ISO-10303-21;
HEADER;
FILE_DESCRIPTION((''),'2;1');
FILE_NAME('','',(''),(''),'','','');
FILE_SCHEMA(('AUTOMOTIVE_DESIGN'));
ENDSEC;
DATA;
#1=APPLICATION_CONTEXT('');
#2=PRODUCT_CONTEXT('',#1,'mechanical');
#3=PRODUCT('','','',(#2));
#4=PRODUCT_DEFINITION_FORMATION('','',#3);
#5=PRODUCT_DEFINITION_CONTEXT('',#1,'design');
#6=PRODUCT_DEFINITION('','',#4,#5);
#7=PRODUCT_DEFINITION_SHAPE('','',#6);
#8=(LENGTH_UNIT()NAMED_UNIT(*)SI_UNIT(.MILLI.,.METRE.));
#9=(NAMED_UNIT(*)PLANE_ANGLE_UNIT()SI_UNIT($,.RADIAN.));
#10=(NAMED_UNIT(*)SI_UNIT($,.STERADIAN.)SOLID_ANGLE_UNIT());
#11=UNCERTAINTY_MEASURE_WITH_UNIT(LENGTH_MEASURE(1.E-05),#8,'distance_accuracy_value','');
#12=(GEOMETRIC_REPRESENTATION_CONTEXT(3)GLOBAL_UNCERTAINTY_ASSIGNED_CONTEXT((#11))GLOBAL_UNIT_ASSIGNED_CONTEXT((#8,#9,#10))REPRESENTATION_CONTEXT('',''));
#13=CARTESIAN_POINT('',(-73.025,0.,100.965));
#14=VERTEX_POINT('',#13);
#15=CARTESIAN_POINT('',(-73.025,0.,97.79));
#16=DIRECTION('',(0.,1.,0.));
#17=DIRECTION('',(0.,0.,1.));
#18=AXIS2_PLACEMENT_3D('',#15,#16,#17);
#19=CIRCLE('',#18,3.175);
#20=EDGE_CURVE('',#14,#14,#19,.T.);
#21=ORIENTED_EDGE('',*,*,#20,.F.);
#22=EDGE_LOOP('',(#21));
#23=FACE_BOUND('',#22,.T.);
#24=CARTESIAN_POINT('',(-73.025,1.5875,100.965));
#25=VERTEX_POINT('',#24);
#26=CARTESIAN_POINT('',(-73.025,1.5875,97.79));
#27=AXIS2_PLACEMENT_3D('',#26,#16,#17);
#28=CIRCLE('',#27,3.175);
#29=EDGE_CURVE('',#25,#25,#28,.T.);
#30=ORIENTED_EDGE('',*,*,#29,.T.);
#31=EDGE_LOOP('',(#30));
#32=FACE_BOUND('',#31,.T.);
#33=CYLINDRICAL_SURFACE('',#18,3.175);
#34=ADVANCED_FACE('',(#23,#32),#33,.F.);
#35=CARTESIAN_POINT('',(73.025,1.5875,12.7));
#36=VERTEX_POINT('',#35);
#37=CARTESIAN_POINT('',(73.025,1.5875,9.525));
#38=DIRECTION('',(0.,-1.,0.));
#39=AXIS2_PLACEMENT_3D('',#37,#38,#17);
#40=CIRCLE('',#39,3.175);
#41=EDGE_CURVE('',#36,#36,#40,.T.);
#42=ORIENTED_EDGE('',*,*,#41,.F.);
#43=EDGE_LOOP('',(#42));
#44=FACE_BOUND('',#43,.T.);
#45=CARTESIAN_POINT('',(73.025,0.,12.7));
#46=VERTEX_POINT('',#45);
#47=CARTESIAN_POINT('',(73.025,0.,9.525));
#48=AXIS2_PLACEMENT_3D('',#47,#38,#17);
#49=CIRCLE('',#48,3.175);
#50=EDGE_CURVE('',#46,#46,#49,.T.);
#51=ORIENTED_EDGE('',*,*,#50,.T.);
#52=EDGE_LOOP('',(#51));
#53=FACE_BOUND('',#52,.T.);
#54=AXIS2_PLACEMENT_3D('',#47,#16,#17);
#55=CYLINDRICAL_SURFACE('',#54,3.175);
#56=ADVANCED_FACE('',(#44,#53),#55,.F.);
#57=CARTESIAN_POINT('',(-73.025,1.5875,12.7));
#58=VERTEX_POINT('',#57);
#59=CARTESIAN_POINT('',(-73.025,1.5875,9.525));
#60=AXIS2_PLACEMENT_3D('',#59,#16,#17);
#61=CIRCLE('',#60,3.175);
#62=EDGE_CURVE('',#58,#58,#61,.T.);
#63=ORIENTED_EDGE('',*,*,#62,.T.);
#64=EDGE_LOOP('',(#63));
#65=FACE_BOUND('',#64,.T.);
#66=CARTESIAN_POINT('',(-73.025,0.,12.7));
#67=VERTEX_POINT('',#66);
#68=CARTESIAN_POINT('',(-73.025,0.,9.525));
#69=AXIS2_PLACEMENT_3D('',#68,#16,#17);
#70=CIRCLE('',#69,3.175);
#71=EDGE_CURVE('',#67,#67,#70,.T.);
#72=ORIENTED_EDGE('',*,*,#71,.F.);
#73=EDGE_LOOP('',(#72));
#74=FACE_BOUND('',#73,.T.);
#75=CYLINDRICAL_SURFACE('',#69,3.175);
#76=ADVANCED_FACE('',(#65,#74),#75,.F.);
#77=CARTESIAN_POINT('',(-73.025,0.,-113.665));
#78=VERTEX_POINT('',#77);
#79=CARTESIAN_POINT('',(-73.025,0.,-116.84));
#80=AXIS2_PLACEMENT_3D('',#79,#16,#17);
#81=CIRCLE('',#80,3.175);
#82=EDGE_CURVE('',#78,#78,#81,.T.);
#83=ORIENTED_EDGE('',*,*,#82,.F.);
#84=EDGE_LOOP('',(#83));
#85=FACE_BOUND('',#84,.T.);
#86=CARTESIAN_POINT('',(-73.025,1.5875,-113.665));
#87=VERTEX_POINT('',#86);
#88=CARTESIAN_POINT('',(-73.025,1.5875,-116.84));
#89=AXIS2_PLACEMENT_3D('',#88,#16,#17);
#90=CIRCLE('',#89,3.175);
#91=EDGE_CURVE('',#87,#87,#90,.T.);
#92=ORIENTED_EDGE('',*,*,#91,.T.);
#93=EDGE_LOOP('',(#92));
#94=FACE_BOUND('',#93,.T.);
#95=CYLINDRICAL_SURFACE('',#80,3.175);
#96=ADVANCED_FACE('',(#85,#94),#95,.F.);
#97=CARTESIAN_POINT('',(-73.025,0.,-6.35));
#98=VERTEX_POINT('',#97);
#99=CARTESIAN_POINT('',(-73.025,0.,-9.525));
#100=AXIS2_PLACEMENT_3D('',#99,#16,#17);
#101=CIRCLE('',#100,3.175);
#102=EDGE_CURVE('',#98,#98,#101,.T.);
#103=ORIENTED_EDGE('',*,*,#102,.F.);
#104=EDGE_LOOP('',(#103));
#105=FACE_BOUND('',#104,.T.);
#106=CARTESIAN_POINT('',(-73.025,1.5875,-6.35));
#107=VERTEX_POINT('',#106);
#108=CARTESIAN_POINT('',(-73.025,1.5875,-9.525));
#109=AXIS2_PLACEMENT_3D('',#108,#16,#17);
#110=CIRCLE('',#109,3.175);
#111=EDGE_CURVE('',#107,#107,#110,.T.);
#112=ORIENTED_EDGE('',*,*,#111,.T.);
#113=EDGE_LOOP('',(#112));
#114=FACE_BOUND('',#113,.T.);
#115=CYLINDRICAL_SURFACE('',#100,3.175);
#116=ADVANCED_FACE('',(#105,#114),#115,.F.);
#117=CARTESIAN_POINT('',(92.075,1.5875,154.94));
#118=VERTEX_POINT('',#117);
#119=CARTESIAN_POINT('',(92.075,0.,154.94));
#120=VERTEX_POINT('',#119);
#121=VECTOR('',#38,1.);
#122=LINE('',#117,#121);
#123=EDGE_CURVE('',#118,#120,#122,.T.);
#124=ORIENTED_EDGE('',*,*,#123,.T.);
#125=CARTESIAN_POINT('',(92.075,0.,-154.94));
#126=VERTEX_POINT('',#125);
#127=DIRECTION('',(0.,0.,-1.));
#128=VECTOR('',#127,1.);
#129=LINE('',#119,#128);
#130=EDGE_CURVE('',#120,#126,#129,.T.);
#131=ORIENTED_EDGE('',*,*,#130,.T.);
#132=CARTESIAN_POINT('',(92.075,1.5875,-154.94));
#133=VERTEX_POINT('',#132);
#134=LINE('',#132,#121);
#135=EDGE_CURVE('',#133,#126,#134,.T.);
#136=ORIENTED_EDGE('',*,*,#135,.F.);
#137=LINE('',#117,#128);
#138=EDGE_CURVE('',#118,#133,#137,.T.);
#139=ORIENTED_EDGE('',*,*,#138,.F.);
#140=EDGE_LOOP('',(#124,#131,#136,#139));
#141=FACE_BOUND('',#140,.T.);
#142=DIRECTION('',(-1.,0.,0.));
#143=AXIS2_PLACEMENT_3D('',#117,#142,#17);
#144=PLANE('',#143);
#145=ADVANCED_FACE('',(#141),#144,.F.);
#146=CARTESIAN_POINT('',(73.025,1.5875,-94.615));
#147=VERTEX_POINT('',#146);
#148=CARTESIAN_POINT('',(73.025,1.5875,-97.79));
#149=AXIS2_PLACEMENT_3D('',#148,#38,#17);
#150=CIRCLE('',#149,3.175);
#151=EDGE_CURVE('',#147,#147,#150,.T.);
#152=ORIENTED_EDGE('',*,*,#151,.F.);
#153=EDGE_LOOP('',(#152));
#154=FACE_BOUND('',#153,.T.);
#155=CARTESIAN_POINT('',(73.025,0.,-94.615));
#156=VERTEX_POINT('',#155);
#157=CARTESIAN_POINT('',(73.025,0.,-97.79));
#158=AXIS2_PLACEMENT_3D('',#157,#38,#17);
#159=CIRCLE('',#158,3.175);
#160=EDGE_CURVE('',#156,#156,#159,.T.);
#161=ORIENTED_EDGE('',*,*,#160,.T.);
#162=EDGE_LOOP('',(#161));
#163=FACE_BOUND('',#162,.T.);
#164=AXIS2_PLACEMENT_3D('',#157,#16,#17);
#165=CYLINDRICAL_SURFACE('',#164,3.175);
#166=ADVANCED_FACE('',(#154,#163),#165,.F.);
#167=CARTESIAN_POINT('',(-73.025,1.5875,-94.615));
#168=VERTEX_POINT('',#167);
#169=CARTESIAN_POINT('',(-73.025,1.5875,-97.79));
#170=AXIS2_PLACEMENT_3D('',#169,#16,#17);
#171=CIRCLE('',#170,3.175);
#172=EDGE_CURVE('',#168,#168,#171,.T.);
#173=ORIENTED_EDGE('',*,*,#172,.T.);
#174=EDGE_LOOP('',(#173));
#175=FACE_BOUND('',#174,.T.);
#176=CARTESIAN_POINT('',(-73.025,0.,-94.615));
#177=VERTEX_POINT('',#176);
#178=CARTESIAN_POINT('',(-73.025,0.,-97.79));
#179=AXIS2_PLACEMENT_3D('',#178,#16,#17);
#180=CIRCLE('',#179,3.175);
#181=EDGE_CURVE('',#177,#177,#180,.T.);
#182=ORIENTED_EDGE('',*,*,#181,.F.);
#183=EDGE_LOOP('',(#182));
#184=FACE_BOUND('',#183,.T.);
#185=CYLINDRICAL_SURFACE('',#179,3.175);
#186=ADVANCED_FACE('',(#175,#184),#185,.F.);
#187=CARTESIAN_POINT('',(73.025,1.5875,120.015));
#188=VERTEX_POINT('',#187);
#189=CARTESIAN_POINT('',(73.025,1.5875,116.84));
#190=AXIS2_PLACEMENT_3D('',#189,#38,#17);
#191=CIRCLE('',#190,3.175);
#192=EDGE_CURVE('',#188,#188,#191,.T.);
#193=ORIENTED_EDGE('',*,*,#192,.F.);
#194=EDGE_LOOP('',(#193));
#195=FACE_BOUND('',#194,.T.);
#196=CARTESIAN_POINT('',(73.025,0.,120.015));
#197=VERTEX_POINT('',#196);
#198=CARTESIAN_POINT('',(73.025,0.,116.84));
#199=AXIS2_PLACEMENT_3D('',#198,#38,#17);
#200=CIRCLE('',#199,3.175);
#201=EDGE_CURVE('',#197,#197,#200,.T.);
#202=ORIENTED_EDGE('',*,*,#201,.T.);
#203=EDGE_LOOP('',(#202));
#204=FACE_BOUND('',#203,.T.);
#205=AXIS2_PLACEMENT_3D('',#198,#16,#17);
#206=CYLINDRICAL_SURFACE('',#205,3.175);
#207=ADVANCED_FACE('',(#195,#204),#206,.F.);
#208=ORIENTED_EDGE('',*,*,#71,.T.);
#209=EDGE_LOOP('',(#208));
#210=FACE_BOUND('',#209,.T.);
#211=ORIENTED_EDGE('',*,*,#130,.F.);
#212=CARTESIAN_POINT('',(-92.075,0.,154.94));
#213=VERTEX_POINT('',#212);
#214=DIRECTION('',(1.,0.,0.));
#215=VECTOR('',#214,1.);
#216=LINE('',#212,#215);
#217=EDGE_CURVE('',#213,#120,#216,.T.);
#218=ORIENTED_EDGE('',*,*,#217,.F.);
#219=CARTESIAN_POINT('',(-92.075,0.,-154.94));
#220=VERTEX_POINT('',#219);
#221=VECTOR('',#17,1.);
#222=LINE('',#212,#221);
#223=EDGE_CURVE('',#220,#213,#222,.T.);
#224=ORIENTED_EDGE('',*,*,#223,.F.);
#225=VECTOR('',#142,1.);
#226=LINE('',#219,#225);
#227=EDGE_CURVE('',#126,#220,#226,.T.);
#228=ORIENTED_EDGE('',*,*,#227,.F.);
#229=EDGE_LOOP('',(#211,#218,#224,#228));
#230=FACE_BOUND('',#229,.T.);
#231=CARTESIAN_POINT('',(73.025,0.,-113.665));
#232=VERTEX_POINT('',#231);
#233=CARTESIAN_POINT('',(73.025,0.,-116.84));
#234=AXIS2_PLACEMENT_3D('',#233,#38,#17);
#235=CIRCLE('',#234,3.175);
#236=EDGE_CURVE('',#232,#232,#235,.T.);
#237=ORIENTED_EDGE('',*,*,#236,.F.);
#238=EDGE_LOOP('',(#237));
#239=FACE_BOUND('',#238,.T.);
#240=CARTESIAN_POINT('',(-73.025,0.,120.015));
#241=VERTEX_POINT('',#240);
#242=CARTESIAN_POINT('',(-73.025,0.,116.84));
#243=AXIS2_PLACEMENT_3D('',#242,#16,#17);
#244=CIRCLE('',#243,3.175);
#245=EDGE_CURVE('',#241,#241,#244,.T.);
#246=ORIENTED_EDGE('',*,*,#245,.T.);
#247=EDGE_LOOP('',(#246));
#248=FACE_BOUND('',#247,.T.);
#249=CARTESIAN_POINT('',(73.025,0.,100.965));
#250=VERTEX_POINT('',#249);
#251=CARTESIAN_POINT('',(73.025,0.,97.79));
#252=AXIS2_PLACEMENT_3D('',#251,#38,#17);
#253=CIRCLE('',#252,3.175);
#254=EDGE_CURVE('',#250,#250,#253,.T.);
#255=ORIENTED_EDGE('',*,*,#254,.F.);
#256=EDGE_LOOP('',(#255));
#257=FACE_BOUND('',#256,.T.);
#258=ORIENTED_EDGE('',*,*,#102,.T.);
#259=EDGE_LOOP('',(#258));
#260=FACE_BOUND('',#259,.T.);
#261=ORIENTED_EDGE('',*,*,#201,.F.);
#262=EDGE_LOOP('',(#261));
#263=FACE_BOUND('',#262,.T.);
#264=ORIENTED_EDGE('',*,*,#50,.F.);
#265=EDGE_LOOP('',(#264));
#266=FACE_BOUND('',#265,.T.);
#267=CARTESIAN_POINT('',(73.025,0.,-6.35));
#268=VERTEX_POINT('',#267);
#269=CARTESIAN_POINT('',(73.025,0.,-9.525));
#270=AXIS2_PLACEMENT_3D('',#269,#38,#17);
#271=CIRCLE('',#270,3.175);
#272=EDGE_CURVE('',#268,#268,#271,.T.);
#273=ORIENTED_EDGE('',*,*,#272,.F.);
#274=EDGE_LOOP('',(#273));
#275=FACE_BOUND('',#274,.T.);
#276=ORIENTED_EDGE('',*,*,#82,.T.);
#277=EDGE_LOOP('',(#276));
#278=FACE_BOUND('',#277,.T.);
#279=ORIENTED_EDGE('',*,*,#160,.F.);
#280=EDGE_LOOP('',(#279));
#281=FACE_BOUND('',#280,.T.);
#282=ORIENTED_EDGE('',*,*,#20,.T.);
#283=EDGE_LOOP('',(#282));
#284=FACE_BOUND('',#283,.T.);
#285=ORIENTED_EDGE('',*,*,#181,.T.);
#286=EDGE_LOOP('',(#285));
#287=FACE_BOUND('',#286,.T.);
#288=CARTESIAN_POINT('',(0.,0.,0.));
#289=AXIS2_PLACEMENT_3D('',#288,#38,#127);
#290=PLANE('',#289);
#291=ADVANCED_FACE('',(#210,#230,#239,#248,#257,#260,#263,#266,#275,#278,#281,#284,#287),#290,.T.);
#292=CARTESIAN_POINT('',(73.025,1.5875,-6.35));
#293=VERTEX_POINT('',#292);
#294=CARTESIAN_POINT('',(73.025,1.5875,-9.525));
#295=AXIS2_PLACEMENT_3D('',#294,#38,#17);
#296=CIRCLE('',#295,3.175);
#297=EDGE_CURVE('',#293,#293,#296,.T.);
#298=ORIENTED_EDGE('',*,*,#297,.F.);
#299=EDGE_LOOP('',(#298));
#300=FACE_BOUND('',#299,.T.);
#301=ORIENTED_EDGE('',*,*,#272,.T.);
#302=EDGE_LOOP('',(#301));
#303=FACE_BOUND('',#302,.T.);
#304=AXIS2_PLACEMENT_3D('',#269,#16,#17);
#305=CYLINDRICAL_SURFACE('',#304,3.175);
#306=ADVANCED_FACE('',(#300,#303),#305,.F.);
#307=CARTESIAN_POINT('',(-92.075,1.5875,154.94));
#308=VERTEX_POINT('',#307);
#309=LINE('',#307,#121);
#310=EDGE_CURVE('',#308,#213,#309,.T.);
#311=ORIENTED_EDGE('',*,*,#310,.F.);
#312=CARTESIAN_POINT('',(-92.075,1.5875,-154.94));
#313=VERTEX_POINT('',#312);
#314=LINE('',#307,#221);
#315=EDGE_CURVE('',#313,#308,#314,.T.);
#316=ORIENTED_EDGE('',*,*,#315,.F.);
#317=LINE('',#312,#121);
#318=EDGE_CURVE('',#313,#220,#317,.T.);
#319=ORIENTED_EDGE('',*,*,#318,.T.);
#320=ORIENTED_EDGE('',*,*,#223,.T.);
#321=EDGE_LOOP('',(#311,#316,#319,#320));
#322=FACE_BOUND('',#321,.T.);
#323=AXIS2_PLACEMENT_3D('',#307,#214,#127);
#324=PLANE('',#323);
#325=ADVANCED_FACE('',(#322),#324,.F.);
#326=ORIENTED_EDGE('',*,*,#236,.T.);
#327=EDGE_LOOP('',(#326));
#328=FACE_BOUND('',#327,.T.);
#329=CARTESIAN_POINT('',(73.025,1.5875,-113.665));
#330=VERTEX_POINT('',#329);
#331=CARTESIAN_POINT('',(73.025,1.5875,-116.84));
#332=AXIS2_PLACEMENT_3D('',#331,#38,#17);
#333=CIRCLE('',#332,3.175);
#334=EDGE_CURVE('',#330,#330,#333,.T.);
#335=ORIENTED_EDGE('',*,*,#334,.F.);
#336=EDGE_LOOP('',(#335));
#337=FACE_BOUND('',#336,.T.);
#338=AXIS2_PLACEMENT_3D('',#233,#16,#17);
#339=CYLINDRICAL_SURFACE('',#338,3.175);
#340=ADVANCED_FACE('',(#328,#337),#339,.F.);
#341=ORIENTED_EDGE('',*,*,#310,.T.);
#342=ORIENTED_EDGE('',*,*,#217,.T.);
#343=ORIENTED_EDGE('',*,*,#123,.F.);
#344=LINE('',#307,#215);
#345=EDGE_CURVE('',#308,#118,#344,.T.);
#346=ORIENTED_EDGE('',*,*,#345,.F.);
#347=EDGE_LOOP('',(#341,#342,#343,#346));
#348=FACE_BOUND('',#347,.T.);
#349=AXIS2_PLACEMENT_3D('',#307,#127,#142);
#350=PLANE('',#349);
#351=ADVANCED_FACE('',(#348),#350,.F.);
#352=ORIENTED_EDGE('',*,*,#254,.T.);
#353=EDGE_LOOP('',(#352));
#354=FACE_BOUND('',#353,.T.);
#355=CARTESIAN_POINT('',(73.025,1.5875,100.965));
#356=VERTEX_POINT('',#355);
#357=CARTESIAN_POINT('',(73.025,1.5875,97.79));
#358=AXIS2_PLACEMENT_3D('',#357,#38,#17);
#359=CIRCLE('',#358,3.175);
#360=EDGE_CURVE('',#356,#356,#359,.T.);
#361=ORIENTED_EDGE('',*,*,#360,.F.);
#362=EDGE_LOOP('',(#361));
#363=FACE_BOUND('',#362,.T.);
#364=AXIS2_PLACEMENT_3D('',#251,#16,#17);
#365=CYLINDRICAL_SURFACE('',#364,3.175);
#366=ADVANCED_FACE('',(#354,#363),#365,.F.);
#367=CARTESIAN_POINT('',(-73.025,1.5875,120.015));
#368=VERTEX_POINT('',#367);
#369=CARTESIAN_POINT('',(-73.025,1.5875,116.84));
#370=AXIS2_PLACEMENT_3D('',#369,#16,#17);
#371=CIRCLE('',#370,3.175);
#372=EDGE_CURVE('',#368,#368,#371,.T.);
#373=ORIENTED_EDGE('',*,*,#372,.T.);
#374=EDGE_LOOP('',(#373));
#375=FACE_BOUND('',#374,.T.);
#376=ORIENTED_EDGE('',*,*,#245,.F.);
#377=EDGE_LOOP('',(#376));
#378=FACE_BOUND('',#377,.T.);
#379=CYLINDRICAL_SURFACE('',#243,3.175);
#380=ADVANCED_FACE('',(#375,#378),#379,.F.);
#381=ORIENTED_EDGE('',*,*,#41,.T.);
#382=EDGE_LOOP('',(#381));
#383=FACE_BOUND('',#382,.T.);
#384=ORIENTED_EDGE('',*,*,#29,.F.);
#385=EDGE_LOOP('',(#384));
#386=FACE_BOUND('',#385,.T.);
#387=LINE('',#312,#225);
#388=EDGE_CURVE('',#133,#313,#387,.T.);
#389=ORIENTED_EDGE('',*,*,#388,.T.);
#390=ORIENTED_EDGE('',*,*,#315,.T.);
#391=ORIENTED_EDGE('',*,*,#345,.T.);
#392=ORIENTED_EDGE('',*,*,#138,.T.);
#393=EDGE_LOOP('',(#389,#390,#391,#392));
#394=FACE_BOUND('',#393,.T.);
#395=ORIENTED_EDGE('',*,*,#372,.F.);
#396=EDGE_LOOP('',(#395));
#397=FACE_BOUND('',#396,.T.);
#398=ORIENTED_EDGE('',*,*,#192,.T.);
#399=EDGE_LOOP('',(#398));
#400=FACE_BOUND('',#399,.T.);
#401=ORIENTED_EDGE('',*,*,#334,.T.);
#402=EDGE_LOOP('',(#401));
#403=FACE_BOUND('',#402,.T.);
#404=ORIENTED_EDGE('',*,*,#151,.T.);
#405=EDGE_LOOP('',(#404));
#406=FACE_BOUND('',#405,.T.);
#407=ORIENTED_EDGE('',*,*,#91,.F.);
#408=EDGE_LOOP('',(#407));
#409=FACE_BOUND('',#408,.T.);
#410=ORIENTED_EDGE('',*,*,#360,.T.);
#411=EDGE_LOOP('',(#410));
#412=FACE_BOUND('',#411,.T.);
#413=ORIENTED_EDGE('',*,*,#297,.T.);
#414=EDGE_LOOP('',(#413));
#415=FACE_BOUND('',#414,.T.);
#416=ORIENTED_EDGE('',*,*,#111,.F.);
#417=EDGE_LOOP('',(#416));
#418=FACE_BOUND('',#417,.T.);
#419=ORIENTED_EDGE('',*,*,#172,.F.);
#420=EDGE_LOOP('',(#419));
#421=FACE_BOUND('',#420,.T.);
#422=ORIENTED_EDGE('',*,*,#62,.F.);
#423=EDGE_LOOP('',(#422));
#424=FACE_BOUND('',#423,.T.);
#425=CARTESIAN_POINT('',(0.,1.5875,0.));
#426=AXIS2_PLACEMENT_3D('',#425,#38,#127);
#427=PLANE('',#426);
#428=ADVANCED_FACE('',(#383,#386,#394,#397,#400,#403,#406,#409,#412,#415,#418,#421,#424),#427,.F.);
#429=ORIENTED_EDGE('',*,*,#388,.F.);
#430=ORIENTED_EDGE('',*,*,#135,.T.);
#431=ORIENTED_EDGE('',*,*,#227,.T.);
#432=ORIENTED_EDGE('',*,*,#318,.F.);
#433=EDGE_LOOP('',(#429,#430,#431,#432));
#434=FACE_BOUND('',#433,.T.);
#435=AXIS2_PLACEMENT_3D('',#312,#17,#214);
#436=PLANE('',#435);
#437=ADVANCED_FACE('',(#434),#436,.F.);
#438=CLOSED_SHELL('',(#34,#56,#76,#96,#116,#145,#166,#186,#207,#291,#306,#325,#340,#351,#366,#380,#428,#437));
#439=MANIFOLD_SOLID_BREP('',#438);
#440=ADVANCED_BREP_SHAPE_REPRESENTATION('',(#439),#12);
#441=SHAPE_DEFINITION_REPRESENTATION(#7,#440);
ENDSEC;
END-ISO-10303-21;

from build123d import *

# Parameters (mm, degrees)
SKETCH1_W           = 184.15
SKETCH1_H           = 309.88
BOSS_EXTRUDE1_DEPTH = 1.5875
SKETCH2_R           = 3.175
CUT_EXTRUDE1_DEPTH  = 181.240753941


with BuildPart() as part:
    # Sketch1 → Boss-Extrude1 (new body)
    with BuildSketch(Plane(origin=(0, 0, 0), x_dir=(1, 0, 0), z_dir=(0, 1, 0))):
        Rectangle(SKETCH1_W, SKETCH1_H)
    extrude(amount=BOSS_EXTRUDE1_DEPTH)

    # Sketch2 → Cut-Extrude1 (cut, through all)
    with BuildSketch(Plane(origin=(0, 1.5875, 0), x_dir=(1, 0, 0), z_dir=(0, 1, 0))):
        with Locations(Location((-73.025, 9.525, 0), (0, 0, 270))):
            Circle(SKETCH2_R)
        with Locations(Location((-73.025, -9.525, 0), (0, 0, 270))):
            Circle(SKETCH2_R)
        with Locations(Location((-73.025, 116.84, 0), (0, 0, 270))):
            Circle(SKETCH2_R)
        with Locations(Location((-73.025, 97.79, 0), (0, 0, 270))):
            Circle(SKETCH2_R)
        with Locations(Location((-73.025, -116.84, 0), (0, 0, 270))):
            Circle(SKETCH2_R)
        with Locations(Location((-73.025, -97.79, 0), (0, 0, 270))):
            Circle(SKETCH2_R)
    cut_extrude1 = extrude(amount=-CUT_EXTRUDE1_DEPTH, mode=Mode.SUBTRACT)

    # Mirror1: Cut-Extrude1 across plane
    add(cut_extrude1.mirror(Plane(origin=(0, 0, 0), x_dir=(0, 0, 1), z_dir=(1, 0, 0))), mode=Mode.SUBTRACT)


solid = part.part
